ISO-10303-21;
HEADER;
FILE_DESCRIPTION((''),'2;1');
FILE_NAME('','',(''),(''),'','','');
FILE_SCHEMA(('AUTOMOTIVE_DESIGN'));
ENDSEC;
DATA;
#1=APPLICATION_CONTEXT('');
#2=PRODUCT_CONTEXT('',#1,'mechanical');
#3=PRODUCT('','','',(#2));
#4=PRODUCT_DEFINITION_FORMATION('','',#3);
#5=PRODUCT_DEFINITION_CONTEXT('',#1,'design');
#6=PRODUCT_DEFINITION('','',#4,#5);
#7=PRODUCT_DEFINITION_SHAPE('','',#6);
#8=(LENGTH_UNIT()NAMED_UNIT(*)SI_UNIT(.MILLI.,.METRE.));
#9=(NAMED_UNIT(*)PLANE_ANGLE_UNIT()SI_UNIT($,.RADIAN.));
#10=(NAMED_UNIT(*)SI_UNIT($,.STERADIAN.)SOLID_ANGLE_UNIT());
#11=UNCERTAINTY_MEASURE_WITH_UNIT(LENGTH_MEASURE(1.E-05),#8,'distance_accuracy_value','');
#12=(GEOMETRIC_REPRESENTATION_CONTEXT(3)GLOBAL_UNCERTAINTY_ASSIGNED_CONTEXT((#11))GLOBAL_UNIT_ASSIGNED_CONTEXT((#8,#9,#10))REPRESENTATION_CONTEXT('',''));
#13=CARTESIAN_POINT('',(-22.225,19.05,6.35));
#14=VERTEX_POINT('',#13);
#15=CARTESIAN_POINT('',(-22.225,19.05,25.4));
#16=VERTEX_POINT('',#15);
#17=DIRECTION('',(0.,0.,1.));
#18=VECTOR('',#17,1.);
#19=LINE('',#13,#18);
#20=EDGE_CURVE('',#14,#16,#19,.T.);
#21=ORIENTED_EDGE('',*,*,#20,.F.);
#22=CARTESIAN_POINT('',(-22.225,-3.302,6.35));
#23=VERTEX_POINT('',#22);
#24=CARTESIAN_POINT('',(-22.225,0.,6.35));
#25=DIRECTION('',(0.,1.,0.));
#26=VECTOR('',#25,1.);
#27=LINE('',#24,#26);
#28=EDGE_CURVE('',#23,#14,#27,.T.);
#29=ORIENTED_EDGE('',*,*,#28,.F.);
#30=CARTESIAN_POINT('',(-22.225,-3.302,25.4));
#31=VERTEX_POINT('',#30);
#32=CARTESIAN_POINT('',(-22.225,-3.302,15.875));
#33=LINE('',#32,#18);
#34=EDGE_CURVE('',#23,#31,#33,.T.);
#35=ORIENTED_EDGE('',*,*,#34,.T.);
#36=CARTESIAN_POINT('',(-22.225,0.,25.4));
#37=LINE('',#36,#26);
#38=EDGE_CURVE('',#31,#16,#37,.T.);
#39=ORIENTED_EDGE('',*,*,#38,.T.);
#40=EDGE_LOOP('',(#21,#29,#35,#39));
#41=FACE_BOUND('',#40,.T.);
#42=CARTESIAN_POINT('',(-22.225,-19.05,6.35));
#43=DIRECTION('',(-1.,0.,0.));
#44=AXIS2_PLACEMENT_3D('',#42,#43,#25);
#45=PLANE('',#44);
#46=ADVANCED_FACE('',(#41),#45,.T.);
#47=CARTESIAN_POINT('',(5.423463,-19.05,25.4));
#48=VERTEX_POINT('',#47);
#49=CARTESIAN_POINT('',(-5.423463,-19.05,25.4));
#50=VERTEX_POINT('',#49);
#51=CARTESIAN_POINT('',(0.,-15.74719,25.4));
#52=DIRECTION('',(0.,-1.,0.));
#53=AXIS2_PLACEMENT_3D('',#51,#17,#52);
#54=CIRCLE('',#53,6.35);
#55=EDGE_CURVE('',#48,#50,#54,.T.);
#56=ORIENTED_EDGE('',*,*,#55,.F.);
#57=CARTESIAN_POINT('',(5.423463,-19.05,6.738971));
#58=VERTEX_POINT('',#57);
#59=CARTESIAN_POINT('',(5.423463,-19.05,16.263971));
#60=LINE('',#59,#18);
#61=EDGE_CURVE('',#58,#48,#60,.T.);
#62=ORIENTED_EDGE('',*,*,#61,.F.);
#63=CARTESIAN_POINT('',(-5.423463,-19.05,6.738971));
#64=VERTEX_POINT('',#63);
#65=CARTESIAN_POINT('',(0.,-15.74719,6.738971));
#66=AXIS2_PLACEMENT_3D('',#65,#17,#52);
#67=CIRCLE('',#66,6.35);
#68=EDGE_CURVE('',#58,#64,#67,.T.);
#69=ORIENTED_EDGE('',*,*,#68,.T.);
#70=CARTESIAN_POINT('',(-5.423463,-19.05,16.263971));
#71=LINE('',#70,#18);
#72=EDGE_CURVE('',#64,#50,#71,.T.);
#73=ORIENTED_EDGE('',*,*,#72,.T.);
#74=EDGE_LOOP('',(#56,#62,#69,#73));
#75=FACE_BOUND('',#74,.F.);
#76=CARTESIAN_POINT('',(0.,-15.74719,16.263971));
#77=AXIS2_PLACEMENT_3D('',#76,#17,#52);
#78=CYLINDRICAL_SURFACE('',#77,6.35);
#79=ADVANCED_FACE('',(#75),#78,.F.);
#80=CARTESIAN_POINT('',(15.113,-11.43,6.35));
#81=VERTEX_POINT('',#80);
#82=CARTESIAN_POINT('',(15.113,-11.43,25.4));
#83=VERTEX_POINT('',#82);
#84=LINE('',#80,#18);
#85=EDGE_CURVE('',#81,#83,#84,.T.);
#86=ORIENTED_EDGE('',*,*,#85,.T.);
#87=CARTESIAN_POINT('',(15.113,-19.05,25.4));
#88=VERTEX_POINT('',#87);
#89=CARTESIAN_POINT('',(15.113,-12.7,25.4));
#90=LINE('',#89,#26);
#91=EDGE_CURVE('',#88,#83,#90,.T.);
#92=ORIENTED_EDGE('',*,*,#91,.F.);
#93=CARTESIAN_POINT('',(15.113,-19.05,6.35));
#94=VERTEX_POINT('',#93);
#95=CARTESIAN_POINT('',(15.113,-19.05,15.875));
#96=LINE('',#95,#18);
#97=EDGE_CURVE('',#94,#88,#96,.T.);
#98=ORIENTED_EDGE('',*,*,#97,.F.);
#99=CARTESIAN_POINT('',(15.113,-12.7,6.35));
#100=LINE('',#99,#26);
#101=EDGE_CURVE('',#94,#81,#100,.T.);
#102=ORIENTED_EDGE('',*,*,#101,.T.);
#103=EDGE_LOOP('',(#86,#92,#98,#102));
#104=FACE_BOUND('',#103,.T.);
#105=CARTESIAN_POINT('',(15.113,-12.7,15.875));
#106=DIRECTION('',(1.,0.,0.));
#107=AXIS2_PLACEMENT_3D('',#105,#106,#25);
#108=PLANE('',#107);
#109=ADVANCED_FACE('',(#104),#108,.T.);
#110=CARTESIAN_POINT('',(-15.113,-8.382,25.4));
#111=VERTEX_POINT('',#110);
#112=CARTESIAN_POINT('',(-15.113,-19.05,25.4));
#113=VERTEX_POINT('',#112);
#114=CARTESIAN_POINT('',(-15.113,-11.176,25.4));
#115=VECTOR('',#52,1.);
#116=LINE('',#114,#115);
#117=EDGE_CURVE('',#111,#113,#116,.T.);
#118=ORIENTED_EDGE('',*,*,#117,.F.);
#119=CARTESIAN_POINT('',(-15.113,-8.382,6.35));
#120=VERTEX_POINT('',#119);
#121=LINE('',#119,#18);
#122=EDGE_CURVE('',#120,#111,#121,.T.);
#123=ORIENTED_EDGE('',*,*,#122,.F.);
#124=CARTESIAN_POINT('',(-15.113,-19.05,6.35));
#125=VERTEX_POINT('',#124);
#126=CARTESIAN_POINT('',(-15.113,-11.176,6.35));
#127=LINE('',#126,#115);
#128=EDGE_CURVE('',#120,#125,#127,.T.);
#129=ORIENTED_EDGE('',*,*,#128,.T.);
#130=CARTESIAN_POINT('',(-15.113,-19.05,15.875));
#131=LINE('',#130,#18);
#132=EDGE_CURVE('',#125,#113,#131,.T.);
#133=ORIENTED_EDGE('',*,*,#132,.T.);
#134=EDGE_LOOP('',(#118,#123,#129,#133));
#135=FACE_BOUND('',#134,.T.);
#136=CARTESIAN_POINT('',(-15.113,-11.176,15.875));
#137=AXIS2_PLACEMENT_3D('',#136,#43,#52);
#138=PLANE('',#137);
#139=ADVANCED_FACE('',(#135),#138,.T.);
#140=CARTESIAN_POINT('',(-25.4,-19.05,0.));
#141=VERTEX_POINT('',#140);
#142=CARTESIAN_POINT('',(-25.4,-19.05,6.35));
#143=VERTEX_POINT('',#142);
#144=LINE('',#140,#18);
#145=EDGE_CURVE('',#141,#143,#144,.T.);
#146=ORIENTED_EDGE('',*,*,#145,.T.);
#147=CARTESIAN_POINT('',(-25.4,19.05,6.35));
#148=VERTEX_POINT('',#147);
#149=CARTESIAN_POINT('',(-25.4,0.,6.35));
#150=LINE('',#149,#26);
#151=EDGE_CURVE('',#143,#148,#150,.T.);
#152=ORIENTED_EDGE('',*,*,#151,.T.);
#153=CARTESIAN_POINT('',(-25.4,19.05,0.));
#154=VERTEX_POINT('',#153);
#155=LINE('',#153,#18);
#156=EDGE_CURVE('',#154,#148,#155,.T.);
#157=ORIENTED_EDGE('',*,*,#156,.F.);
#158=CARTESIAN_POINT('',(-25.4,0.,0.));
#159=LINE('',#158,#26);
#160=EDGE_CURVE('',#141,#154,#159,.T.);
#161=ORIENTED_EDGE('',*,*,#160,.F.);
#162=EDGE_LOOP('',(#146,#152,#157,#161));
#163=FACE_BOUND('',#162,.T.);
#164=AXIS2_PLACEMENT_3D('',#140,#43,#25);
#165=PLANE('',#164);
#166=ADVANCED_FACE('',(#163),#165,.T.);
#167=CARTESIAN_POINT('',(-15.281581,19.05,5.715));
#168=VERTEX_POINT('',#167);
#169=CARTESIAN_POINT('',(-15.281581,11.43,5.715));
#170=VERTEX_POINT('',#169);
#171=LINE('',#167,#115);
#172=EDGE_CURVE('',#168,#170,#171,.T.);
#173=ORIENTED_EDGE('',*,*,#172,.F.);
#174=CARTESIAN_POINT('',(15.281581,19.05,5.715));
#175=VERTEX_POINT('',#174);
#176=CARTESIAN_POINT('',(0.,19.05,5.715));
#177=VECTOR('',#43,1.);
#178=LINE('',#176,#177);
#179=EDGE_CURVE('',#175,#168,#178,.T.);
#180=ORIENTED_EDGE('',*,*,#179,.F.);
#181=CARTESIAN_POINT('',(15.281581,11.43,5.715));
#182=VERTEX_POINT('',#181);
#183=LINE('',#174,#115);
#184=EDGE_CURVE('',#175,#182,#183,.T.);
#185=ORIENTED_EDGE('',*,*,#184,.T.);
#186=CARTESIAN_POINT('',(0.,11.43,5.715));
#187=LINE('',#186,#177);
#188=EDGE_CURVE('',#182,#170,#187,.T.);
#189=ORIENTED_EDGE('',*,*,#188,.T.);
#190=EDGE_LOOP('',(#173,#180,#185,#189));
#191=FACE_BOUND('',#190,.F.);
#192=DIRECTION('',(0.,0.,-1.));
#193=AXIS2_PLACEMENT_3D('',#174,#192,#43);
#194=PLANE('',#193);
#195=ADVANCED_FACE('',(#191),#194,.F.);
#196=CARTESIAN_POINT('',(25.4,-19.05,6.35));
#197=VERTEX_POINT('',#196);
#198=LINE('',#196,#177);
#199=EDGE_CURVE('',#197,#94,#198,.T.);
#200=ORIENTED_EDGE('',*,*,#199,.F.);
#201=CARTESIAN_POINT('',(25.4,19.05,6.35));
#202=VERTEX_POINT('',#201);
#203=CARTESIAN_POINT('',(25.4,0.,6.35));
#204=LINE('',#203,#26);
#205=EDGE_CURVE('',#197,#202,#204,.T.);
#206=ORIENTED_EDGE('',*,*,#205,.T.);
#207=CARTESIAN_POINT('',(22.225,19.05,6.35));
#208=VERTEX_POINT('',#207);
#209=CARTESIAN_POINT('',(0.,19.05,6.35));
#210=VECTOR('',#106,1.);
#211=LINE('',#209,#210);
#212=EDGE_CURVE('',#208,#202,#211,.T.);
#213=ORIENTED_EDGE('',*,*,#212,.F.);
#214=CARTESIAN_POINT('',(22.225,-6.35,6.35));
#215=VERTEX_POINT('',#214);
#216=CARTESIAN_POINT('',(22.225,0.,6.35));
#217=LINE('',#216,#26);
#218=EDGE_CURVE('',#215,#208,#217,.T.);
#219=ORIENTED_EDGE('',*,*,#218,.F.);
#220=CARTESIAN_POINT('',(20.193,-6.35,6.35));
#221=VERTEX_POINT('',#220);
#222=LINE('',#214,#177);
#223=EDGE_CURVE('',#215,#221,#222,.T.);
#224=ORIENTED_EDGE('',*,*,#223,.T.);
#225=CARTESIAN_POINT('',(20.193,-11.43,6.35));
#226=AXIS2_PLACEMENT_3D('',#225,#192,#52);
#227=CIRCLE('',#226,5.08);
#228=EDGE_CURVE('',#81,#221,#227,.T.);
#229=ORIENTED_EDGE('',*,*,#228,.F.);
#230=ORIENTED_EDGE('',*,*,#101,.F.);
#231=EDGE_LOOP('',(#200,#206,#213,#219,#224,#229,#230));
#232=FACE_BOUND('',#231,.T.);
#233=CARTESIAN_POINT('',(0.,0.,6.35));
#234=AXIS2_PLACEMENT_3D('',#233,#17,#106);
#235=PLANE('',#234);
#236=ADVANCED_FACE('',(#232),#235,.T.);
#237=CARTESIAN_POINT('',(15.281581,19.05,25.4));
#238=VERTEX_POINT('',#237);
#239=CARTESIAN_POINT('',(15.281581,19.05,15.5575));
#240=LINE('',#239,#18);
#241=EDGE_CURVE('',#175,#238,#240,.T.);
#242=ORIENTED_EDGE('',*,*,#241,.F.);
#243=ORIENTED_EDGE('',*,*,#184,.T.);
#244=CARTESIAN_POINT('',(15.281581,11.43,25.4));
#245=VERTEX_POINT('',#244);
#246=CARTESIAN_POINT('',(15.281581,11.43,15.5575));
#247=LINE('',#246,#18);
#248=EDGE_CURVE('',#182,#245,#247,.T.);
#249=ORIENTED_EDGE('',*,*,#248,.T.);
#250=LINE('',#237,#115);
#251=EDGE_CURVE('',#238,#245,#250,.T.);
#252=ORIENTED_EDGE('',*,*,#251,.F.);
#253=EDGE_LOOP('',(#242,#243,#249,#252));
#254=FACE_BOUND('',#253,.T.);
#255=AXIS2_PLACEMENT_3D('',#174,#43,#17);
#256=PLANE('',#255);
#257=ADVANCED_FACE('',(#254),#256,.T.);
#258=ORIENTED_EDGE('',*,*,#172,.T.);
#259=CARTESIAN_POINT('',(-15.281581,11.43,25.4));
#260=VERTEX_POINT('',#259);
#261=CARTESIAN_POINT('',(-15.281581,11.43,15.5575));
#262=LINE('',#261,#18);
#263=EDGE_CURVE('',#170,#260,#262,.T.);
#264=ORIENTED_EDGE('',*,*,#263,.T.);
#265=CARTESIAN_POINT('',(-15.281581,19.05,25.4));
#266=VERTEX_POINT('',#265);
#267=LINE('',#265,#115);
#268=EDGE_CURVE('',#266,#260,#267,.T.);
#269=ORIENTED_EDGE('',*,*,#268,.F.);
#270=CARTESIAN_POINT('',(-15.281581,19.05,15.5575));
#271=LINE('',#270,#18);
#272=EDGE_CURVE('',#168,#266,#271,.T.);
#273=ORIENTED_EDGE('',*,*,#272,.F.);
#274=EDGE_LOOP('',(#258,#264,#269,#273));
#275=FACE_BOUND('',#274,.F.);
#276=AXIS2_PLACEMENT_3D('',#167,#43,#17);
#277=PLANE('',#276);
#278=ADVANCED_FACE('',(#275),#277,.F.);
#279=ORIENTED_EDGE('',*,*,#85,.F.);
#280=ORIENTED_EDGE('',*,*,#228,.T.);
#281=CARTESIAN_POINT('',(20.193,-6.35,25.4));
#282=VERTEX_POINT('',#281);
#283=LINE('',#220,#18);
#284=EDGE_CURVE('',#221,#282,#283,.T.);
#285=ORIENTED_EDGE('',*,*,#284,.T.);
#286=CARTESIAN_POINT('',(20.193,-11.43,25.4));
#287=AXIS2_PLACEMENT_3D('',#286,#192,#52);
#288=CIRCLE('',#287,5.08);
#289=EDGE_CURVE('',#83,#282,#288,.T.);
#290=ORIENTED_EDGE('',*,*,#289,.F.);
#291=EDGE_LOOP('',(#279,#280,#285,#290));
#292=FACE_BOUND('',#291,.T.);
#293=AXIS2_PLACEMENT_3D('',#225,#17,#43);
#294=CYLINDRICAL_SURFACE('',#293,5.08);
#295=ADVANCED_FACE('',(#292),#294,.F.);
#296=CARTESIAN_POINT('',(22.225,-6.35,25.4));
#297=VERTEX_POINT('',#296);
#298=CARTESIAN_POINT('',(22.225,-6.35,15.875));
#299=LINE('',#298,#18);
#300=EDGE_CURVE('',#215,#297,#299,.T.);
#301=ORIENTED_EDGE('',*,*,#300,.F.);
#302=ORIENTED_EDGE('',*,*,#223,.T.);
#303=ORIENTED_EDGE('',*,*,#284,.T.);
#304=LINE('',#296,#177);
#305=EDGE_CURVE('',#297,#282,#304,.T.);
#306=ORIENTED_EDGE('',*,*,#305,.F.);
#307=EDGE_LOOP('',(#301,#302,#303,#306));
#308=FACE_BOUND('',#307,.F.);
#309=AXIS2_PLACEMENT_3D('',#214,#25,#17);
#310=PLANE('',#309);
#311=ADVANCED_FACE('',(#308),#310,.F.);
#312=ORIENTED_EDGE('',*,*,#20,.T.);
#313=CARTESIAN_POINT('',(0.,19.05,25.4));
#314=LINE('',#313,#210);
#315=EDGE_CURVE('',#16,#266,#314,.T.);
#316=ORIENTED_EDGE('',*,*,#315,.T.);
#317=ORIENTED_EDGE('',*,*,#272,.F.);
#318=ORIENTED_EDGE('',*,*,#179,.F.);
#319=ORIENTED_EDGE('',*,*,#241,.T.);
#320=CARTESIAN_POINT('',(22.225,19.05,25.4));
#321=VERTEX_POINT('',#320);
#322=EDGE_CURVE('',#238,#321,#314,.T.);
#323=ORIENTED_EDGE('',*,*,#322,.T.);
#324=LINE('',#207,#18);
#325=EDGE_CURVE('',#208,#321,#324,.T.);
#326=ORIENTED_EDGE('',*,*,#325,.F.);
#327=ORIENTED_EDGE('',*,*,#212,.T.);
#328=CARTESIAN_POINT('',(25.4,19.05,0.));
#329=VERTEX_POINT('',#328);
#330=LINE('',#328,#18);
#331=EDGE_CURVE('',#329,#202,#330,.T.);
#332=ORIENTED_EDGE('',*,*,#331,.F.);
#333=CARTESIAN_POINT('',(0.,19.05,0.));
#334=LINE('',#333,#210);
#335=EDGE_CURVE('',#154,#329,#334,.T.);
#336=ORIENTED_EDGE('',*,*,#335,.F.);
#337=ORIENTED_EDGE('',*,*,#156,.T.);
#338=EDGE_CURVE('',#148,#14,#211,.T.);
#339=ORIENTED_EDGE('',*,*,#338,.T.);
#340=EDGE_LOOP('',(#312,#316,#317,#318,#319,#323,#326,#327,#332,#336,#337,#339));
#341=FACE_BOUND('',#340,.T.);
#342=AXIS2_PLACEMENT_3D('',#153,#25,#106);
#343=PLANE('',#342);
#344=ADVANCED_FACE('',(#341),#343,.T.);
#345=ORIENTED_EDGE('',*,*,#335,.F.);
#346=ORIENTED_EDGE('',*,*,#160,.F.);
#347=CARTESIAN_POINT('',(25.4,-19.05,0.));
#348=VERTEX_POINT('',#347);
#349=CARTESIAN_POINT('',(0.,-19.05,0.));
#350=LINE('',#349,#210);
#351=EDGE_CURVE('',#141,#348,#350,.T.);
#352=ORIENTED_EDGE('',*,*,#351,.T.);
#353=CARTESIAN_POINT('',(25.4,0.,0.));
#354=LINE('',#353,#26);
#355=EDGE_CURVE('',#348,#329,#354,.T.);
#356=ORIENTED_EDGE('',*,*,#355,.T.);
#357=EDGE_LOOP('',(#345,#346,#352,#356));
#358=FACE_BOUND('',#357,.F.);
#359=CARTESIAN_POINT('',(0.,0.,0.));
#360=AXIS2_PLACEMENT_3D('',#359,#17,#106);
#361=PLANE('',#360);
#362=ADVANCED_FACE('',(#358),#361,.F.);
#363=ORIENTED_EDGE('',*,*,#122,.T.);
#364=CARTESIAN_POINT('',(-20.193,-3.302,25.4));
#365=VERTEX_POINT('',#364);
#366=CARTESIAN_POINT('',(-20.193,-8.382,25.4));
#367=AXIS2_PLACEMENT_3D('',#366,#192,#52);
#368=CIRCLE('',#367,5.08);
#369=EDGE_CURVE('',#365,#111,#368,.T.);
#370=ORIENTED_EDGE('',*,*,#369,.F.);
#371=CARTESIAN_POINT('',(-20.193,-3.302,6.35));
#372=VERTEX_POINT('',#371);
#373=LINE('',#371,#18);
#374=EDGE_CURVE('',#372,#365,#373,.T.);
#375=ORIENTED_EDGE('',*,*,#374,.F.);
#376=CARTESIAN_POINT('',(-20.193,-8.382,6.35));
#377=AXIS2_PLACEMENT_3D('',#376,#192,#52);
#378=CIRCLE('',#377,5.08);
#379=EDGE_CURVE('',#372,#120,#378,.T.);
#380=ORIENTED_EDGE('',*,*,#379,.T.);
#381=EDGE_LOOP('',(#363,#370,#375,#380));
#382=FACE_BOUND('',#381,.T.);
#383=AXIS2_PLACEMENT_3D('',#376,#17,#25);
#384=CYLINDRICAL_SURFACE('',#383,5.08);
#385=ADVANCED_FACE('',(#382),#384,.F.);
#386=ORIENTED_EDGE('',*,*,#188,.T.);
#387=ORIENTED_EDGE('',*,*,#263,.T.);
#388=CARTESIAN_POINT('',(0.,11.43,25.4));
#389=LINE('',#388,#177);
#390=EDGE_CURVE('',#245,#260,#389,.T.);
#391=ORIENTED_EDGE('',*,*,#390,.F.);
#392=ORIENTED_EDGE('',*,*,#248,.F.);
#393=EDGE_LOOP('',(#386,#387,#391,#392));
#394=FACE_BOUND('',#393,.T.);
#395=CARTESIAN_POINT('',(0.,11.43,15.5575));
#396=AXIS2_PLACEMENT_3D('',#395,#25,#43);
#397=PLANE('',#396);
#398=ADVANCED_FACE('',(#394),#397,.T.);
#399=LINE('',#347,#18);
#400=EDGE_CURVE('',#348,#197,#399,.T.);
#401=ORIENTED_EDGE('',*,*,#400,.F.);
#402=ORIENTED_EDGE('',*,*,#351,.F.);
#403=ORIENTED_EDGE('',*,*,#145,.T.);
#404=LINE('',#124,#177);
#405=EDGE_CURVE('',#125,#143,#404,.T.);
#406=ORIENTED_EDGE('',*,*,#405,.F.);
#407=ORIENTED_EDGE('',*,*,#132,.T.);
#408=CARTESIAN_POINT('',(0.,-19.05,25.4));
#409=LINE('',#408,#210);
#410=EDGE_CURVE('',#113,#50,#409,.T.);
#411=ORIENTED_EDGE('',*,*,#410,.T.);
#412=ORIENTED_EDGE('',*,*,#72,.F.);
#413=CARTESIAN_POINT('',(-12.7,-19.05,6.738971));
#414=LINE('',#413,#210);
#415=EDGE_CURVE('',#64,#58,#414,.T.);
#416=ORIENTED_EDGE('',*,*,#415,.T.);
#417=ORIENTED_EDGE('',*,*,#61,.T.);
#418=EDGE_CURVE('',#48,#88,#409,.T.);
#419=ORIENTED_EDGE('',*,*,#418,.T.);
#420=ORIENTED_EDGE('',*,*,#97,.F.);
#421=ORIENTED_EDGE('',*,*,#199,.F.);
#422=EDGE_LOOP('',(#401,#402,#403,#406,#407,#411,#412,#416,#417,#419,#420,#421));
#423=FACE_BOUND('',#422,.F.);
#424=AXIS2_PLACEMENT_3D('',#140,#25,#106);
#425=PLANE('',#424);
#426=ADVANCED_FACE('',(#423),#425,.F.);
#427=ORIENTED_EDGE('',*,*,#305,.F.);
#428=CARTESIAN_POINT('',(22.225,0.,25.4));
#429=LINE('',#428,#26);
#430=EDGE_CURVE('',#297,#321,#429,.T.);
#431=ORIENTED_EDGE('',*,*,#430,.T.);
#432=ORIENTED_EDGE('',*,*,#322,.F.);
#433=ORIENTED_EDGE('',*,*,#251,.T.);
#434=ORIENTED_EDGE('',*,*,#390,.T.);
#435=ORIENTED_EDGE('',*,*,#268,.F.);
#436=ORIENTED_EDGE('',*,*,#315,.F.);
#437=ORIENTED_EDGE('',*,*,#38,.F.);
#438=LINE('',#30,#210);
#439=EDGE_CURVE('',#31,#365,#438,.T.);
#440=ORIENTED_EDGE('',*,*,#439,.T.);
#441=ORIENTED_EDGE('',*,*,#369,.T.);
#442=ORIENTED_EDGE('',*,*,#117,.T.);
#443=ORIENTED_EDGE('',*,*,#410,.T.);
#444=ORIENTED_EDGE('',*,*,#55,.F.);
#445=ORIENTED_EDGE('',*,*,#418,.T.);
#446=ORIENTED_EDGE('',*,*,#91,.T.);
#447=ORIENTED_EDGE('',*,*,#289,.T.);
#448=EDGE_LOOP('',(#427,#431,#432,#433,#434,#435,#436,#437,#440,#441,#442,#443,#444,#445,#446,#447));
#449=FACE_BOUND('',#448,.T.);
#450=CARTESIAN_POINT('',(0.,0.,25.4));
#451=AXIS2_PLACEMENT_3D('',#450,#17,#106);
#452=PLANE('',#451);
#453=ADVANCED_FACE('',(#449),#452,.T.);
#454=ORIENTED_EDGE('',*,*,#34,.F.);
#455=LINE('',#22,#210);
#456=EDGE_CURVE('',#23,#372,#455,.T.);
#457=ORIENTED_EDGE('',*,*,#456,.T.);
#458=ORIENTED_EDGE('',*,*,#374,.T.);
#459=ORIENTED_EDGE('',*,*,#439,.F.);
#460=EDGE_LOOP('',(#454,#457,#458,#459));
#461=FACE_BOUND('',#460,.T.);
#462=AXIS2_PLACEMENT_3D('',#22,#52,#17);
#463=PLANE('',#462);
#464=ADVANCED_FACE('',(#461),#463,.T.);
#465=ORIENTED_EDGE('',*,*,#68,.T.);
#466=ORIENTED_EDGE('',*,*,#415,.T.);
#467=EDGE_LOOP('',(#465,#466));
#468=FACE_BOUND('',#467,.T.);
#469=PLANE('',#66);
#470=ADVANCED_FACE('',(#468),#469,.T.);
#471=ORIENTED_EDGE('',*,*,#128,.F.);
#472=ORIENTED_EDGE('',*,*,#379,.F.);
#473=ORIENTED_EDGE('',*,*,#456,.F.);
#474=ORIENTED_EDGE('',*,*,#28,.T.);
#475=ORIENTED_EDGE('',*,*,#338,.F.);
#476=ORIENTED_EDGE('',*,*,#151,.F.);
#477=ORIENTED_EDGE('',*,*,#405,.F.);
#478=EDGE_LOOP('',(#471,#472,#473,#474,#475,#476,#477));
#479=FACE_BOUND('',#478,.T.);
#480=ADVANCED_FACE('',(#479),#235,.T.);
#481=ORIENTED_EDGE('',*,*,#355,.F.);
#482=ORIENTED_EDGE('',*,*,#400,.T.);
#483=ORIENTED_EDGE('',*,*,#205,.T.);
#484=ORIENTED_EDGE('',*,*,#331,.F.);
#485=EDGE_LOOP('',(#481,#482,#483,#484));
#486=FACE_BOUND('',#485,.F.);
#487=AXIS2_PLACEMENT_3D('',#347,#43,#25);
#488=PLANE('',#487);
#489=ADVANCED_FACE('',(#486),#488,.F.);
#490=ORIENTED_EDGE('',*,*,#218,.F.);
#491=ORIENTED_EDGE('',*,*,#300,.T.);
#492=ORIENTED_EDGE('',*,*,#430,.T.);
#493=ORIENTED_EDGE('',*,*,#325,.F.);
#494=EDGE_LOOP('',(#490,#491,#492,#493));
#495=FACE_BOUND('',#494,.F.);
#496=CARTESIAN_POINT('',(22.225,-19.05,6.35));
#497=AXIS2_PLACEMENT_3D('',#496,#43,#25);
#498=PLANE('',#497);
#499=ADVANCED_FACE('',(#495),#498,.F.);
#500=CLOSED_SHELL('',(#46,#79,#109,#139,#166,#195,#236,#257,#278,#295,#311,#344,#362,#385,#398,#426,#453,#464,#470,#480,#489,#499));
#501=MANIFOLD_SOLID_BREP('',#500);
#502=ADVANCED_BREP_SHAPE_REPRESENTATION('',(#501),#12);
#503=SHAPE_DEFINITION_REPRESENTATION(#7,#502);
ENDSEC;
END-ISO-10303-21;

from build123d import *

# Parameters (mm, degrees)
F0_W      = 50.8
F0_H      = 38.1
F1_DEPTH  = 6.35
F2_W      = 44.45
F2_H      = 38.1
F3_DEPTH  = 19.05
F4_W      = 6.35
F4_H      = 19.05
F6_W      = 30.563162
F6_H      = 19.685
F7_DEPTH  = 7.62
F8_W      = 15.748
F8_H      = 19.05
F9_DEPTH  = 7.112
F10_W     = 12.7
F10_H     = 19.05
F11_DEPTH = 7.112
F12_R     = 5.08
F13_R     = 5.08


with BuildPart() as f1:
    # F0 (on Top) → F1 (new body)
    with BuildSketch(Plane.XY):
        Rectangle(F0_W, F0_H)
    extrude(amount=F1_DEPTH)

    # F2 (on face) → F3 (join)
    with BuildSketch(Plane.XY.offset(6.35)):
        Rectangle(F2_W, F2_H)
    extrude(amount=F3_DEPTH)

    # F4 (on Right) → F5 (revolve, cut)
    with BuildSketch(Plane.YZ):
        with Locations((-18.92219, 16.263971)):
            Rectangle(F4_W, F4_H)
    revolve(axis=Axis((0, -15.74719, 16.263971), (0, 0, 1)), mode=Mode.SUBTRACT)

    # F6 (on face) → F7 (cut)
    with BuildSketch(Plane(origin=(0, 19.05, 0), x_dir=(-1, 0, 0), z_dir=(0, 1, 0))):
        with Locations((0, 15.5575)):
            Rectangle(F6_W, F6_H)
    extrude(amount=-F7_DEPTH, mode=Mode.SUBTRACT)

    # F8 (on face) → F9 (cut)
    with BuildSketch(Plane(origin=(-22.225, 0, 0), x_dir=(0, -1, 0), z_dir=(-1, 0, 0))):
        with Locations((11.176, 15.875)):
            Rectangle(F8_W, F8_H)
    extrude(amount=-F9_DEPTH, mode=Mode.SUBTRACT)

    # F10 (on face) → F11 (cut)
    with BuildSketch(Plane.YZ.offset(22.225)):
        with Locations((-12.7, 15.875)):
            Rectangle(F10_W, F10_H)
    extrude(amount=-F11_DEPTH, mode=Mode.SUBTRACT)

    # F12
    f12_edges = [f1.edges().sort_by_distance(p)[0] for p in [
        (-15.113, -3.302, 15.875),
    ]]
    fillet(f12_edges, radius=F12_R)

    # F13
    f13_edges = [f1.edges().sort_by_distance(p)[0] for p in [
        (15.113, -6.35, 15.875),
    ]]
    fillet(f13_edges, radius=F13_R)


solid = f1.part
